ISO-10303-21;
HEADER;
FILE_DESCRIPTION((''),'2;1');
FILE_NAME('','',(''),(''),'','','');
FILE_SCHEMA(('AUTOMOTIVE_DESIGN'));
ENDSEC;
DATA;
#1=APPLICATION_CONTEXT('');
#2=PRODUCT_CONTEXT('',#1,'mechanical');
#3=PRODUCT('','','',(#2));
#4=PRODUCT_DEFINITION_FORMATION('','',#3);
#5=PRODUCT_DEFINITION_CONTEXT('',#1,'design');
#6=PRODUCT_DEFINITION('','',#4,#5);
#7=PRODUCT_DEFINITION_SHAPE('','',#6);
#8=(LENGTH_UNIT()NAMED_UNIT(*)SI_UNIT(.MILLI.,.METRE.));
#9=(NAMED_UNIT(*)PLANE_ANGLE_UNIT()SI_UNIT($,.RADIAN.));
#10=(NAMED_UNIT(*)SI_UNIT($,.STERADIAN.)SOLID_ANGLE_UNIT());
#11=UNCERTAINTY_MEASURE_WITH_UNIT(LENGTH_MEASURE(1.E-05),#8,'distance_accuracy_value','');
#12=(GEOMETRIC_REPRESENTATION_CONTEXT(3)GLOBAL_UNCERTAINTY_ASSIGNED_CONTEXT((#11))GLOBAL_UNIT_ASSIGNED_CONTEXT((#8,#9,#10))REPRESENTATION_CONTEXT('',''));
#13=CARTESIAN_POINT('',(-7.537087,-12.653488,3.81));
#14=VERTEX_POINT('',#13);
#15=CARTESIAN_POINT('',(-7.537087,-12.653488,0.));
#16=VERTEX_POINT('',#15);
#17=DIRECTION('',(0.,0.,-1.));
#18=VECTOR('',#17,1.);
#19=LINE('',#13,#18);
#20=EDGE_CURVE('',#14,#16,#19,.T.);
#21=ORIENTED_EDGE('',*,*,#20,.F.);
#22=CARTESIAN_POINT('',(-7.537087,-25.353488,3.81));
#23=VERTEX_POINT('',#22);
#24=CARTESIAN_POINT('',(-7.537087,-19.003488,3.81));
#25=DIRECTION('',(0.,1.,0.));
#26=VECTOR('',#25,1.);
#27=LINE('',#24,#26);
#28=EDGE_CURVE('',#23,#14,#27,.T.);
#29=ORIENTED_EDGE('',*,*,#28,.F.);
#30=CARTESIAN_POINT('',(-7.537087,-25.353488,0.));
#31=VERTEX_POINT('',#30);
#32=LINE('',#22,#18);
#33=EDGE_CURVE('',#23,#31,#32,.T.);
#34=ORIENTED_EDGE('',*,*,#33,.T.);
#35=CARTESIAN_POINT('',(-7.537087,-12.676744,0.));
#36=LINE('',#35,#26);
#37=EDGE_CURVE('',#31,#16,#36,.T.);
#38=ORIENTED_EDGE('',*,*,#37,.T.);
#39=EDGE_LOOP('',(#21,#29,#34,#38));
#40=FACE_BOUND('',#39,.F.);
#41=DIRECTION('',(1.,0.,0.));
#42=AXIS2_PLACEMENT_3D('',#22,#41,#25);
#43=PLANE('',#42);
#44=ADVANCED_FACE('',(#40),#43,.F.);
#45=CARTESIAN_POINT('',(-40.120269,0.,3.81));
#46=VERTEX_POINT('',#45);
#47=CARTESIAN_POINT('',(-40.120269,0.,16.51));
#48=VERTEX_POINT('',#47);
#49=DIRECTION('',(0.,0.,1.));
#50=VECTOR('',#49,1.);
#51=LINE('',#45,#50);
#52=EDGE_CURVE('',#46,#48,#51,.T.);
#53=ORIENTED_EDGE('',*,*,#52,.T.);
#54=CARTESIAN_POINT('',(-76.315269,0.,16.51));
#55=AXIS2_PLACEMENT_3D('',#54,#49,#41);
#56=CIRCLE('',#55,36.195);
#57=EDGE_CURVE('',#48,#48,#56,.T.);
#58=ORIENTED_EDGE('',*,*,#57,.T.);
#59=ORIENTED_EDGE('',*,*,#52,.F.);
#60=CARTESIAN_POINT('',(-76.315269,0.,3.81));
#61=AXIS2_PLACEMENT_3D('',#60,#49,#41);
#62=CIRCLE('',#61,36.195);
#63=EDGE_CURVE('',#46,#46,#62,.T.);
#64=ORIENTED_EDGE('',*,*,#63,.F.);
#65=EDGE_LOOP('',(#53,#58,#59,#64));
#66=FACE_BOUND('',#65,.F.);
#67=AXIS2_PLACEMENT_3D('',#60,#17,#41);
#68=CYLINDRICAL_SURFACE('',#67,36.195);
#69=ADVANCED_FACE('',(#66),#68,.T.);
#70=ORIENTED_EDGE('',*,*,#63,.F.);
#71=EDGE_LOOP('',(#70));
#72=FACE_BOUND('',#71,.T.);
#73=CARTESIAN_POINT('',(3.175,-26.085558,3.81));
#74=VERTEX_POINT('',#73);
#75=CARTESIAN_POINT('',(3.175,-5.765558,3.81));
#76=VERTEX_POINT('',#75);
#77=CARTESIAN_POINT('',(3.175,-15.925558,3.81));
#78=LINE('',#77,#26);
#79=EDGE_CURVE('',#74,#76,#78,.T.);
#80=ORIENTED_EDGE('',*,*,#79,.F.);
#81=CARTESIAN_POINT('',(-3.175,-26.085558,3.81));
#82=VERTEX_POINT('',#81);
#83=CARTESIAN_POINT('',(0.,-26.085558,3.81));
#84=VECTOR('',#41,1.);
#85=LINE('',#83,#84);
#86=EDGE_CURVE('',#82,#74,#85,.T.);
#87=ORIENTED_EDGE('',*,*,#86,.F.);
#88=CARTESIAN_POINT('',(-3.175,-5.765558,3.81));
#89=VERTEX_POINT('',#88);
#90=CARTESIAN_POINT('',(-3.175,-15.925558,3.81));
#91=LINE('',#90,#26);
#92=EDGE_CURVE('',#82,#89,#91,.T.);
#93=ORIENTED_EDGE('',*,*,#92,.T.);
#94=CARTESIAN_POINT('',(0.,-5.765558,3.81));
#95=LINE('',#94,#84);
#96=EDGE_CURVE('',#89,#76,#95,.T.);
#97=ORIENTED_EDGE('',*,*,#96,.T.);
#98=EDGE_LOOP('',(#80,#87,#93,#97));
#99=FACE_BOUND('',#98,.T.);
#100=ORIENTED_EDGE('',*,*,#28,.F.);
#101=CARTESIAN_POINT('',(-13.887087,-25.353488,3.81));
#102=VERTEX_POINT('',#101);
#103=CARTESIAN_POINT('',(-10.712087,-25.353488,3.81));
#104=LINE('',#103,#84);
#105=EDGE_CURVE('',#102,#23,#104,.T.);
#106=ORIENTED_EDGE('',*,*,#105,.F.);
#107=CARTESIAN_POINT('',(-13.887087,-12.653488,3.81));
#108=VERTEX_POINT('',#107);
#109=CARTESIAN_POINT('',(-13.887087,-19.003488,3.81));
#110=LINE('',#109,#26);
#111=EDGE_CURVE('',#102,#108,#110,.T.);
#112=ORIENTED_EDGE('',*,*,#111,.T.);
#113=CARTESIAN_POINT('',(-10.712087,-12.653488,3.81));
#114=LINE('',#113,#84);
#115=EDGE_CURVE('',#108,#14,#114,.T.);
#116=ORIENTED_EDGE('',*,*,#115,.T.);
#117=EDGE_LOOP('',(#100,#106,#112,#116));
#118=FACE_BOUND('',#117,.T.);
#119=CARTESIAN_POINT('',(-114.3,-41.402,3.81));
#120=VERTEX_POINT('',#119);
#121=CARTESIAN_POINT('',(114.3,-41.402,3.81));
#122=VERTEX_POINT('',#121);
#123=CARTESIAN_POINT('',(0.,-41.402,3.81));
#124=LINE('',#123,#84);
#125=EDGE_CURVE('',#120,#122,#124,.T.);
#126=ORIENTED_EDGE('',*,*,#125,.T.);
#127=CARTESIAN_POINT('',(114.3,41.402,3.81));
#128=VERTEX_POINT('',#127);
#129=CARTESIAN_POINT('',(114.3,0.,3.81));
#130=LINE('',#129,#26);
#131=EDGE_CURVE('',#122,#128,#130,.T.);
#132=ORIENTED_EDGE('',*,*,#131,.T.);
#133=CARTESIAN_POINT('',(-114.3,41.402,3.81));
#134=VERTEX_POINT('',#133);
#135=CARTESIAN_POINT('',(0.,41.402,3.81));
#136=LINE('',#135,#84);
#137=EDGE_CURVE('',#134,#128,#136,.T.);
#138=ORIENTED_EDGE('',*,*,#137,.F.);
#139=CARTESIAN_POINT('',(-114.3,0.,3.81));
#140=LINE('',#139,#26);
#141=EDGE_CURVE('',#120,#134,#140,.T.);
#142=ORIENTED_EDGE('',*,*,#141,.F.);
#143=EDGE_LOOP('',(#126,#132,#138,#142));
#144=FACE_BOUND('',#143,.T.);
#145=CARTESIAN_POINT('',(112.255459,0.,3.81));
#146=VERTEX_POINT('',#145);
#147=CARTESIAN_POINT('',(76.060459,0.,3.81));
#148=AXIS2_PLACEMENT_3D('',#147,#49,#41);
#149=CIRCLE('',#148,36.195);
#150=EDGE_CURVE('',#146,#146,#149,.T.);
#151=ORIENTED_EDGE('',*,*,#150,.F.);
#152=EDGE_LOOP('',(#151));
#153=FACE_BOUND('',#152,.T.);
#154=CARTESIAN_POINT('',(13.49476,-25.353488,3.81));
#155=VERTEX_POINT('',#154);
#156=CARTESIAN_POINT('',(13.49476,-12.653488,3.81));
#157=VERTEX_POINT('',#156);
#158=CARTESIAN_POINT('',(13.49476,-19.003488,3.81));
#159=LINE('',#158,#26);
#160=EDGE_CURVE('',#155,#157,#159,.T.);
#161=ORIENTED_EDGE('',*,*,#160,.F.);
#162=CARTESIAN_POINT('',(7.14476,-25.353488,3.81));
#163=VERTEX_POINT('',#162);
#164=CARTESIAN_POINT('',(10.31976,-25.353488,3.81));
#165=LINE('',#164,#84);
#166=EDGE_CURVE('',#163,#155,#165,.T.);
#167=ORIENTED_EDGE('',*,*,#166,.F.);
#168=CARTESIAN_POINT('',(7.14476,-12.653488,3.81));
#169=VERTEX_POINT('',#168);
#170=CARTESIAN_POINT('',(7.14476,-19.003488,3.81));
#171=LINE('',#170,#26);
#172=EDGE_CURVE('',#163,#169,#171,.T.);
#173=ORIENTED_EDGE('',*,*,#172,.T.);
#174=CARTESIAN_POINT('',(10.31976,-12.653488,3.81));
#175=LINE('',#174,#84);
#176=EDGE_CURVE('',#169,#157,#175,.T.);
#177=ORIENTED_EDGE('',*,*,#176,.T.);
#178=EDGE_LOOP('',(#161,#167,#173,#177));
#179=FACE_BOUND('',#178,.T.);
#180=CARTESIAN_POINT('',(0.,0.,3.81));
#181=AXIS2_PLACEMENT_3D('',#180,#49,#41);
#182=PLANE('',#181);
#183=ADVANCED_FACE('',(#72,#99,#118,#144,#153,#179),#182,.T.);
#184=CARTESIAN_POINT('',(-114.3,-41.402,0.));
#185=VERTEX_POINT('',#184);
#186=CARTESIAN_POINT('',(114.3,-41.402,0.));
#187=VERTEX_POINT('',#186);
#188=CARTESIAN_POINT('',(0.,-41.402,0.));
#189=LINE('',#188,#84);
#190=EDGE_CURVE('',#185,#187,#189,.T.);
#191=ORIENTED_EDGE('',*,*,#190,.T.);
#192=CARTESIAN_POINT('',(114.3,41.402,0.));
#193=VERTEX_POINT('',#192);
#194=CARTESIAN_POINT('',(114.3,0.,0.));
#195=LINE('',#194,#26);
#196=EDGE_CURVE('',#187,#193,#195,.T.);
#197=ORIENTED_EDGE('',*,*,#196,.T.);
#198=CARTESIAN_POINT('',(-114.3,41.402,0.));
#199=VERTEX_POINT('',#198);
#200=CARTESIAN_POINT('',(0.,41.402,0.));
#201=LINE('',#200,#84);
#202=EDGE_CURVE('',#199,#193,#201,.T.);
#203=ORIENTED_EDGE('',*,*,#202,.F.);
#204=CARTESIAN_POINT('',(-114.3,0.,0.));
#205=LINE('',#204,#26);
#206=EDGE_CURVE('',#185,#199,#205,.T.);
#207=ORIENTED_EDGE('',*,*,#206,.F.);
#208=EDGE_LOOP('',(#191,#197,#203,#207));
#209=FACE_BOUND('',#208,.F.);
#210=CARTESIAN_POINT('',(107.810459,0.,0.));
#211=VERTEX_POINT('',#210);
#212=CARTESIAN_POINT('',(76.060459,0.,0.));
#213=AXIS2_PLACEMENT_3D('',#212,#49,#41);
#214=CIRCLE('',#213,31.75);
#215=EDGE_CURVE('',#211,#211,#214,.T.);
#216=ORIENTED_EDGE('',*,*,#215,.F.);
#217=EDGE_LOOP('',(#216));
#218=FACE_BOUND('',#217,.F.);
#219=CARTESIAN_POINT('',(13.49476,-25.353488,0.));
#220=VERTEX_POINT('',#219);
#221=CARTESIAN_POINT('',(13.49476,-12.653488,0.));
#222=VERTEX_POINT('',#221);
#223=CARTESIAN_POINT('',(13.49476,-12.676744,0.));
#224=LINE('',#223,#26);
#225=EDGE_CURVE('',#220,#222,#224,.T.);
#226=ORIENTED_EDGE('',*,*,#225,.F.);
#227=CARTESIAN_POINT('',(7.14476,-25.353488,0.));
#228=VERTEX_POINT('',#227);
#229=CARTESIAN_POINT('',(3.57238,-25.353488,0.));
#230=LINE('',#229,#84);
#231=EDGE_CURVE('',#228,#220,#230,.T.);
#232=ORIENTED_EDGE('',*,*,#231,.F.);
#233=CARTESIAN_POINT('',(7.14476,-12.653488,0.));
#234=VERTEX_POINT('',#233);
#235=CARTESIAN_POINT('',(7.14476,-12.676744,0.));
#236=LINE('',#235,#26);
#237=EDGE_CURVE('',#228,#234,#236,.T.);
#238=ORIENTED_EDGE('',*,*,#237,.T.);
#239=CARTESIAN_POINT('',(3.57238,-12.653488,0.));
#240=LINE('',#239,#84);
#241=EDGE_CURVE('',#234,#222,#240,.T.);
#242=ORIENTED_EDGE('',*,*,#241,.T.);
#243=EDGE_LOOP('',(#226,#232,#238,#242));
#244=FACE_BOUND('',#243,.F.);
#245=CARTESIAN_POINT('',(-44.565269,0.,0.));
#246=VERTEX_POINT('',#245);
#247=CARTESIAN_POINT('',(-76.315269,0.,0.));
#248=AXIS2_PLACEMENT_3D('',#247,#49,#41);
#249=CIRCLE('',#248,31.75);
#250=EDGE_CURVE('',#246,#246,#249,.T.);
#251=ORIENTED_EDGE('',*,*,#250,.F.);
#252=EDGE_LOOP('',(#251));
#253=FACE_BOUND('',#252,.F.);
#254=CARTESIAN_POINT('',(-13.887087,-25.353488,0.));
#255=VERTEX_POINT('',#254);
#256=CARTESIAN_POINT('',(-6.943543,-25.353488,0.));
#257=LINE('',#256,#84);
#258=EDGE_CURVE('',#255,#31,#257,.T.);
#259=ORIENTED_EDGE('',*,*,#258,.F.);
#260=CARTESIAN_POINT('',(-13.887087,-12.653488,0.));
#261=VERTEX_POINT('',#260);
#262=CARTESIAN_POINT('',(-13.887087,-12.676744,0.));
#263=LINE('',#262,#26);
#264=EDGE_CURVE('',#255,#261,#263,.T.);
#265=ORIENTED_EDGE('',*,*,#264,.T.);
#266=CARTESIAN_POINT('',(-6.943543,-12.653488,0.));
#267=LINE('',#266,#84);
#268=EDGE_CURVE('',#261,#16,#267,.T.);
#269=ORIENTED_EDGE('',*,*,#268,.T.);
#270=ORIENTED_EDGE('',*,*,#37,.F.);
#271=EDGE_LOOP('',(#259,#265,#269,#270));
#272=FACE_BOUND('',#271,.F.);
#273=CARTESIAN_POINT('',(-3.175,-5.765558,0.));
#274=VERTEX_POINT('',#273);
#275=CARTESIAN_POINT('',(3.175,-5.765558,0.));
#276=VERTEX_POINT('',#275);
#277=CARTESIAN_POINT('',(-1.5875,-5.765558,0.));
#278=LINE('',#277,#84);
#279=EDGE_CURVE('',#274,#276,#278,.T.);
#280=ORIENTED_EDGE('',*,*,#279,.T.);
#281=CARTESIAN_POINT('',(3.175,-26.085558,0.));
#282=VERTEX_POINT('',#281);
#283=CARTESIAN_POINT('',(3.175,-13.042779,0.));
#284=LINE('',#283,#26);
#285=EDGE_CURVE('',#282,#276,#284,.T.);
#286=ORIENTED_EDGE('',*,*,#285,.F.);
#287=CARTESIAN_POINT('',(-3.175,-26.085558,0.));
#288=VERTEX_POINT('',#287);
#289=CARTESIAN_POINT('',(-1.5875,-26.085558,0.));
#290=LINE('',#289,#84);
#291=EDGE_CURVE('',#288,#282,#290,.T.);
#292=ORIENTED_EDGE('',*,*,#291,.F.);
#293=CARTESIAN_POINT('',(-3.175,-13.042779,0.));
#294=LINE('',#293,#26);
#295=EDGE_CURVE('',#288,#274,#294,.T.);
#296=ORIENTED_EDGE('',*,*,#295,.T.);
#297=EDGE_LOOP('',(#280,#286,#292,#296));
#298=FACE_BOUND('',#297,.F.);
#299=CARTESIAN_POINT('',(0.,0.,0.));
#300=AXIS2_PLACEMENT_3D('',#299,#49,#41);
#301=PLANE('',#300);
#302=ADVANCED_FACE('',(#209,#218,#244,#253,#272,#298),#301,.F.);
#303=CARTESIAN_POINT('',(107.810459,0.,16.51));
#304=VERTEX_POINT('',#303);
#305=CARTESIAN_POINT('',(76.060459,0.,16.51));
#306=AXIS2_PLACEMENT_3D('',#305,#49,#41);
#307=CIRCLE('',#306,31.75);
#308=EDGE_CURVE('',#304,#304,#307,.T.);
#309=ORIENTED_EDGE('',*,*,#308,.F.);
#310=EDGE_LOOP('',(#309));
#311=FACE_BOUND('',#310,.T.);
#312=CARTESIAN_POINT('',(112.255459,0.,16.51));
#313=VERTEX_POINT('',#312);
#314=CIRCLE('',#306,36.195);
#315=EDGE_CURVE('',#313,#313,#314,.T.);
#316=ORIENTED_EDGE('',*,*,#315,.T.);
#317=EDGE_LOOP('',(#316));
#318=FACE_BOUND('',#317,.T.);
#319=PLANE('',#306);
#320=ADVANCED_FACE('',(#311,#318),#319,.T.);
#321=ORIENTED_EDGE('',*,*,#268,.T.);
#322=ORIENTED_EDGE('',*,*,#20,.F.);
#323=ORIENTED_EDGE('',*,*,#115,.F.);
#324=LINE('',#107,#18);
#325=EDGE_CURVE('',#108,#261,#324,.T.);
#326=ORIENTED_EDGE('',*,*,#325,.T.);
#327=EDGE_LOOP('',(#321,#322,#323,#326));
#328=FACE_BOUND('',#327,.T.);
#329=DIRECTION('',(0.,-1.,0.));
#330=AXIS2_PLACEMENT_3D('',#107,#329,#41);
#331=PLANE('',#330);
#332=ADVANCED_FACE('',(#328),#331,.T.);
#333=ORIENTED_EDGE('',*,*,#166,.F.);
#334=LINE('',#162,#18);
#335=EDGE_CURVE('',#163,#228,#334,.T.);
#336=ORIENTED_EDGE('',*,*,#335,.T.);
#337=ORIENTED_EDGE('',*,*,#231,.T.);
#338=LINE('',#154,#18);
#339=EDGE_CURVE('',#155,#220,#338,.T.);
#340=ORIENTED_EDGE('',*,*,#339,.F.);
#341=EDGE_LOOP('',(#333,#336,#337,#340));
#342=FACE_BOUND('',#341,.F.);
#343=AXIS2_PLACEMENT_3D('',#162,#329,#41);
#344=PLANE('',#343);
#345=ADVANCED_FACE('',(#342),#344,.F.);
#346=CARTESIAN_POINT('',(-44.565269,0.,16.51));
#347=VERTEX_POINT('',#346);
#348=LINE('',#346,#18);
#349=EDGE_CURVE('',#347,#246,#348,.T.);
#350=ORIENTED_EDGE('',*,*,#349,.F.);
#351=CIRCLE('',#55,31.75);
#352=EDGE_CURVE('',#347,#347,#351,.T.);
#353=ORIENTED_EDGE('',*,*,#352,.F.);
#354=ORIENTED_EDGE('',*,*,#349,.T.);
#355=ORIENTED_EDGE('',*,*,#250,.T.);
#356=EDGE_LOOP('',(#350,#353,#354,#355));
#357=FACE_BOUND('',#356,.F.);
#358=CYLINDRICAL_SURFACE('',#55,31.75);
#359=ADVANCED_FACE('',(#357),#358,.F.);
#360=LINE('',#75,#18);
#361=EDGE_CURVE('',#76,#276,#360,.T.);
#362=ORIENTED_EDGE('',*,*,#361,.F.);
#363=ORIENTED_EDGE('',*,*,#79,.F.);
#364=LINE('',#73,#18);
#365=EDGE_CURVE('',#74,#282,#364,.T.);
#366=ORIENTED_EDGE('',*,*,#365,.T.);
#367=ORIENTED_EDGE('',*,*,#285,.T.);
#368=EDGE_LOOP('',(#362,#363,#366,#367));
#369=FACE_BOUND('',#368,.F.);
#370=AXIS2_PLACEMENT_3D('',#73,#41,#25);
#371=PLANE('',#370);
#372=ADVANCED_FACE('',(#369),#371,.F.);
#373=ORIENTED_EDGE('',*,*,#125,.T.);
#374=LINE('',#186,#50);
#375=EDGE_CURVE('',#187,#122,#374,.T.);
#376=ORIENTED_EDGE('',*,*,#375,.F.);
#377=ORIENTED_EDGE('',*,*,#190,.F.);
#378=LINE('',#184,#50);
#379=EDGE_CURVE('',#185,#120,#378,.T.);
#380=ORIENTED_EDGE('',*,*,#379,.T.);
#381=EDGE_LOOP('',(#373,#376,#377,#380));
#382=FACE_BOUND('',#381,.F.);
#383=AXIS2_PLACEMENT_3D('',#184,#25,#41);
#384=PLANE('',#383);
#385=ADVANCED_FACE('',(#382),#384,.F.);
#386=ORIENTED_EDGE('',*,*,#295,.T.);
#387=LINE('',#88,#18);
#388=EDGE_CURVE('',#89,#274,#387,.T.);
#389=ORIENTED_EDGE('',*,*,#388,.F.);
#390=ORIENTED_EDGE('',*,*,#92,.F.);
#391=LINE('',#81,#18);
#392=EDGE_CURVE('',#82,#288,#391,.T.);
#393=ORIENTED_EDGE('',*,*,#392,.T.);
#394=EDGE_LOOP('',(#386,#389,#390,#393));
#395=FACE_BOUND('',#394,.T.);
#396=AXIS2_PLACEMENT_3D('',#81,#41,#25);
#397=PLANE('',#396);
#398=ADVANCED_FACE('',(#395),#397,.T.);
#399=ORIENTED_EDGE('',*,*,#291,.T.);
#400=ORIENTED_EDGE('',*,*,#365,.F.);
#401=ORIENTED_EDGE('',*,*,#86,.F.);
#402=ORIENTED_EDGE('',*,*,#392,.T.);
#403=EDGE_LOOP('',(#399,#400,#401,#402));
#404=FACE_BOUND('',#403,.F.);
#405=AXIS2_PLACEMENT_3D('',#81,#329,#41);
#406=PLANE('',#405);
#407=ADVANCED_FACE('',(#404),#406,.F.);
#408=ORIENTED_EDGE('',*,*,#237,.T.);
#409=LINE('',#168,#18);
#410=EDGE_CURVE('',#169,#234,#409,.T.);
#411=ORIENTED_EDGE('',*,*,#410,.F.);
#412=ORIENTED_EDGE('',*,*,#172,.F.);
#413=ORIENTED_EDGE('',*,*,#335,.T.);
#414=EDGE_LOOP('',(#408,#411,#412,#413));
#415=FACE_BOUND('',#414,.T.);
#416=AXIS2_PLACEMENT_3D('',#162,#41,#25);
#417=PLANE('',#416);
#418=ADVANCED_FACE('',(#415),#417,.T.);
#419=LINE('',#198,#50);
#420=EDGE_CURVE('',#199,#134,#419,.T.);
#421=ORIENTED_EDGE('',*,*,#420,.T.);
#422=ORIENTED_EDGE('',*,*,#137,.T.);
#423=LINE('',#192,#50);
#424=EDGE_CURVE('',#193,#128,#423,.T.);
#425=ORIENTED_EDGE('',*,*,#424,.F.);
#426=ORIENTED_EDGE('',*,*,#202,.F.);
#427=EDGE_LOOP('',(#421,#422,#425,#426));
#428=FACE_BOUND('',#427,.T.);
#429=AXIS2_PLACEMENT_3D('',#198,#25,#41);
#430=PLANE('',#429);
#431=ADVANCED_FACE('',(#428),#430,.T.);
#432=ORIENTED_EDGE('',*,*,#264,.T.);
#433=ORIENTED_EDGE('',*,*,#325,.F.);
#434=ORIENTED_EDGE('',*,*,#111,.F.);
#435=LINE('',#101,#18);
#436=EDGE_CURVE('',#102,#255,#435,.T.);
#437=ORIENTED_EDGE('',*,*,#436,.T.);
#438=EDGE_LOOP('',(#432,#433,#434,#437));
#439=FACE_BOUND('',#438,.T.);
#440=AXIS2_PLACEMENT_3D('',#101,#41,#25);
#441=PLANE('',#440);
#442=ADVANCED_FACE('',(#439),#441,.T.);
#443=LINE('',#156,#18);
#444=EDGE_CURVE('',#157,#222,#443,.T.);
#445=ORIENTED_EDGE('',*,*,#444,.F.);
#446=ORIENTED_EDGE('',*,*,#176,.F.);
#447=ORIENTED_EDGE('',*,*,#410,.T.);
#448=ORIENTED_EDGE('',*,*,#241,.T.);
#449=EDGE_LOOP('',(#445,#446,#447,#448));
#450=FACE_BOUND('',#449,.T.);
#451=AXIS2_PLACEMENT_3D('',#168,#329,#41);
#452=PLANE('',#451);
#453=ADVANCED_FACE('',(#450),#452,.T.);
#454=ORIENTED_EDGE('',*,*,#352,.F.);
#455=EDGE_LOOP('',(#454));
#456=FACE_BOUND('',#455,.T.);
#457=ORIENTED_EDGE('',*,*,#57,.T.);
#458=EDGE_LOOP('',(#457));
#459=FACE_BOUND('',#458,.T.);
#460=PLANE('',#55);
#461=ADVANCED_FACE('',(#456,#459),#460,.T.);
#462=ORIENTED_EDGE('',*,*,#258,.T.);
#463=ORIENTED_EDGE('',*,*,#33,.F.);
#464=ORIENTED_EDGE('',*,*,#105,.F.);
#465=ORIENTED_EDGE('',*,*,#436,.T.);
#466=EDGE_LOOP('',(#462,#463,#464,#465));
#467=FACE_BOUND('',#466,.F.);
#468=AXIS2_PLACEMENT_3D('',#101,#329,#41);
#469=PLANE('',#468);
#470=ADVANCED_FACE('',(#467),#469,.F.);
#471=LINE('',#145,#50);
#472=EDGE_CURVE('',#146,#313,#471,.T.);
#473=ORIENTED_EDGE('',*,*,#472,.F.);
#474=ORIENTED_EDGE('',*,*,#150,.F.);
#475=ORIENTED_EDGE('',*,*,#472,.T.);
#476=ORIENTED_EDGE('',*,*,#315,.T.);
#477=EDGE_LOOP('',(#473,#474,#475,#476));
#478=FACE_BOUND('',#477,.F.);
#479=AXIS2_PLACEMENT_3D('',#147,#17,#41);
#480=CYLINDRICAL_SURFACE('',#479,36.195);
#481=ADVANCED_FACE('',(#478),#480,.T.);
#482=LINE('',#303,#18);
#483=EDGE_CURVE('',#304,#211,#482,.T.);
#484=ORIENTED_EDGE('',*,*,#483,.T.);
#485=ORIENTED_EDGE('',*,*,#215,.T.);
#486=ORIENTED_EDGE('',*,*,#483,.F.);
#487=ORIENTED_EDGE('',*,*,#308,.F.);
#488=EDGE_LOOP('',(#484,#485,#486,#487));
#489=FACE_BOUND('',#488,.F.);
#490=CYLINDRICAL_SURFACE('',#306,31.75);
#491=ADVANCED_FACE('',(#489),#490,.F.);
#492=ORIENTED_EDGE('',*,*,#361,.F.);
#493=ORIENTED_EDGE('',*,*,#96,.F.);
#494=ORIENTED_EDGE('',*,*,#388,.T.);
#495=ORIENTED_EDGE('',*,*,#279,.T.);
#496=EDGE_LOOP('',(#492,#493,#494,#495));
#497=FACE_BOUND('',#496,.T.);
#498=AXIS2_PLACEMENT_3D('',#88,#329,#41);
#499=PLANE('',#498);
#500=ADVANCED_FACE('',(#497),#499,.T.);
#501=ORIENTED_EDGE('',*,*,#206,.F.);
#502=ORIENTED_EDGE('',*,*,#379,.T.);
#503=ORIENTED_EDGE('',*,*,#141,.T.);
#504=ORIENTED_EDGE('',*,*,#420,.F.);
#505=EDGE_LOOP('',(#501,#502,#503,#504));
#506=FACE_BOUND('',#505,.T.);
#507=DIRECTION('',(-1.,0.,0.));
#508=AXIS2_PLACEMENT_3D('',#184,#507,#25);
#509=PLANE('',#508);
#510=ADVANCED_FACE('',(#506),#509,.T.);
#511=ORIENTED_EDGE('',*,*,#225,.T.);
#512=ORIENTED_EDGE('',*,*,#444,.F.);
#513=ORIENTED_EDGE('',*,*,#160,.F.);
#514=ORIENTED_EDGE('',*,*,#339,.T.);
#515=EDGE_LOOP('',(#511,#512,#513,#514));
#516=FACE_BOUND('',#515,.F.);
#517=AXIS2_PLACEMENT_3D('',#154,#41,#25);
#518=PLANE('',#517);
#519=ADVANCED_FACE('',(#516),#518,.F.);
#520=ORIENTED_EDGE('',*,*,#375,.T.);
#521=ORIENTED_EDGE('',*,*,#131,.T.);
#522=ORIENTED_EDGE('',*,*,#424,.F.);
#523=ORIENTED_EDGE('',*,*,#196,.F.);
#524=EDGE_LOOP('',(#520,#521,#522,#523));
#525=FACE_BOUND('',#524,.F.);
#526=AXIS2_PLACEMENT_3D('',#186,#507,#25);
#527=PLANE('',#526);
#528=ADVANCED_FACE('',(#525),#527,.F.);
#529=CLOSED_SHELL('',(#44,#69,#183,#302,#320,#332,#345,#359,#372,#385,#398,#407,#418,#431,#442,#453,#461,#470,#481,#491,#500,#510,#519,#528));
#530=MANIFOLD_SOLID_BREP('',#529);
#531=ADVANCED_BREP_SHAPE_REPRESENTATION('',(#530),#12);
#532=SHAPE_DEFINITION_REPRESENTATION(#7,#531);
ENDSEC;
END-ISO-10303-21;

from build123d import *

# Parameters (mm, degrees)
F0_W      = 228.6
F0_H      = 82.804
F1_DEPTH  = 3.81
F2_R      = 36.195
F3_DEPTH  = 12.7
F4_R      = 36.195
F5_DEPTH  = 12.7
F6_R      = 31.75
F7_DEPTH  = 17.78
F8_R      = 31.75
F9_DEPTH  = 17.78
F10_W     = 6.35
F10_H     = 20.32
F11_DEPTH = 7.62
F12_W     = 6.35
F12_H     = 12.7
F13_DEPTH = 7.62
F14_W     = 6.35
F14_H     = 12.7
F15_DEPTH = 7.62


with BuildPart() as f1:
    # F0 (on Top) → F1 (new body)
    with BuildSketch(Plane.XY):
        Rectangle(F0_W, F0_H)
    extrude(amount=F1_DEPTH)

    # F2 (on face) → F3 (join)
    with BuildSketch(Plane.XY.offset(3.81)):
        with Locations((-76.315269, 0)):
            Circle(F2_R)
    extrude(amount=F3_DEPTH)

    # F4 (on face) → F5 (join)
    with BuildSketch(Plane.XY.offset(3.81)):
        with Locations((76.060459, 0)):
            Circle(F4_R)
    extrude(amount=F5_DEPTH)

    # F6 (on face) → F7 (cut)
    with BuildSketch(Plane.XY.offset(16.51)):
        with Locations((-76.315269, 0)):
            Circle(F6_R)
    extrude(amount=-F7_DEPTH, mode=Mode.SUBTRACT)

    # F8 (on face) → F9 (cut)
    with BuildSketch(Plane.XY.offset(16.51)):
        with Locations((76.060459, 0)):
            Circle(F8_R)
    extrude(amount=-F9_DEPTH, mode=Mode.SUBTRACT)

    # F10 (on face) → F11 (cut)
    with BuildSketch(Plane.XY.offset(3.81)):
        with Locations((0, -15.925558)):
            Rectangle(F10_W, F10_H)
    extrude(amount=-F11_DEPTH, mode=Mode.SUBTRACT)

    # F12 (on face) → F13 (cut)
    with BuildSketch(Plane.XY.offset(3.81)):
        with Locations((-10.712087, -19.003488)):
            Rectangle(F12_W, F12_H)
    extrude(amount=-F13_DEPTH, mode=Mode.SUBTRACT)

    # F14 (on face) → F15 (cut)
    with BuildSketch(Plane.XY.offset(3.81)):
        with Locations((10.31976, -19.003488)):
            Rectangle(F14_W, F14_H)
    extrude(amount=-F15_DEPTH, mode=Mode.SUBTRACT)


solid = f1.part
